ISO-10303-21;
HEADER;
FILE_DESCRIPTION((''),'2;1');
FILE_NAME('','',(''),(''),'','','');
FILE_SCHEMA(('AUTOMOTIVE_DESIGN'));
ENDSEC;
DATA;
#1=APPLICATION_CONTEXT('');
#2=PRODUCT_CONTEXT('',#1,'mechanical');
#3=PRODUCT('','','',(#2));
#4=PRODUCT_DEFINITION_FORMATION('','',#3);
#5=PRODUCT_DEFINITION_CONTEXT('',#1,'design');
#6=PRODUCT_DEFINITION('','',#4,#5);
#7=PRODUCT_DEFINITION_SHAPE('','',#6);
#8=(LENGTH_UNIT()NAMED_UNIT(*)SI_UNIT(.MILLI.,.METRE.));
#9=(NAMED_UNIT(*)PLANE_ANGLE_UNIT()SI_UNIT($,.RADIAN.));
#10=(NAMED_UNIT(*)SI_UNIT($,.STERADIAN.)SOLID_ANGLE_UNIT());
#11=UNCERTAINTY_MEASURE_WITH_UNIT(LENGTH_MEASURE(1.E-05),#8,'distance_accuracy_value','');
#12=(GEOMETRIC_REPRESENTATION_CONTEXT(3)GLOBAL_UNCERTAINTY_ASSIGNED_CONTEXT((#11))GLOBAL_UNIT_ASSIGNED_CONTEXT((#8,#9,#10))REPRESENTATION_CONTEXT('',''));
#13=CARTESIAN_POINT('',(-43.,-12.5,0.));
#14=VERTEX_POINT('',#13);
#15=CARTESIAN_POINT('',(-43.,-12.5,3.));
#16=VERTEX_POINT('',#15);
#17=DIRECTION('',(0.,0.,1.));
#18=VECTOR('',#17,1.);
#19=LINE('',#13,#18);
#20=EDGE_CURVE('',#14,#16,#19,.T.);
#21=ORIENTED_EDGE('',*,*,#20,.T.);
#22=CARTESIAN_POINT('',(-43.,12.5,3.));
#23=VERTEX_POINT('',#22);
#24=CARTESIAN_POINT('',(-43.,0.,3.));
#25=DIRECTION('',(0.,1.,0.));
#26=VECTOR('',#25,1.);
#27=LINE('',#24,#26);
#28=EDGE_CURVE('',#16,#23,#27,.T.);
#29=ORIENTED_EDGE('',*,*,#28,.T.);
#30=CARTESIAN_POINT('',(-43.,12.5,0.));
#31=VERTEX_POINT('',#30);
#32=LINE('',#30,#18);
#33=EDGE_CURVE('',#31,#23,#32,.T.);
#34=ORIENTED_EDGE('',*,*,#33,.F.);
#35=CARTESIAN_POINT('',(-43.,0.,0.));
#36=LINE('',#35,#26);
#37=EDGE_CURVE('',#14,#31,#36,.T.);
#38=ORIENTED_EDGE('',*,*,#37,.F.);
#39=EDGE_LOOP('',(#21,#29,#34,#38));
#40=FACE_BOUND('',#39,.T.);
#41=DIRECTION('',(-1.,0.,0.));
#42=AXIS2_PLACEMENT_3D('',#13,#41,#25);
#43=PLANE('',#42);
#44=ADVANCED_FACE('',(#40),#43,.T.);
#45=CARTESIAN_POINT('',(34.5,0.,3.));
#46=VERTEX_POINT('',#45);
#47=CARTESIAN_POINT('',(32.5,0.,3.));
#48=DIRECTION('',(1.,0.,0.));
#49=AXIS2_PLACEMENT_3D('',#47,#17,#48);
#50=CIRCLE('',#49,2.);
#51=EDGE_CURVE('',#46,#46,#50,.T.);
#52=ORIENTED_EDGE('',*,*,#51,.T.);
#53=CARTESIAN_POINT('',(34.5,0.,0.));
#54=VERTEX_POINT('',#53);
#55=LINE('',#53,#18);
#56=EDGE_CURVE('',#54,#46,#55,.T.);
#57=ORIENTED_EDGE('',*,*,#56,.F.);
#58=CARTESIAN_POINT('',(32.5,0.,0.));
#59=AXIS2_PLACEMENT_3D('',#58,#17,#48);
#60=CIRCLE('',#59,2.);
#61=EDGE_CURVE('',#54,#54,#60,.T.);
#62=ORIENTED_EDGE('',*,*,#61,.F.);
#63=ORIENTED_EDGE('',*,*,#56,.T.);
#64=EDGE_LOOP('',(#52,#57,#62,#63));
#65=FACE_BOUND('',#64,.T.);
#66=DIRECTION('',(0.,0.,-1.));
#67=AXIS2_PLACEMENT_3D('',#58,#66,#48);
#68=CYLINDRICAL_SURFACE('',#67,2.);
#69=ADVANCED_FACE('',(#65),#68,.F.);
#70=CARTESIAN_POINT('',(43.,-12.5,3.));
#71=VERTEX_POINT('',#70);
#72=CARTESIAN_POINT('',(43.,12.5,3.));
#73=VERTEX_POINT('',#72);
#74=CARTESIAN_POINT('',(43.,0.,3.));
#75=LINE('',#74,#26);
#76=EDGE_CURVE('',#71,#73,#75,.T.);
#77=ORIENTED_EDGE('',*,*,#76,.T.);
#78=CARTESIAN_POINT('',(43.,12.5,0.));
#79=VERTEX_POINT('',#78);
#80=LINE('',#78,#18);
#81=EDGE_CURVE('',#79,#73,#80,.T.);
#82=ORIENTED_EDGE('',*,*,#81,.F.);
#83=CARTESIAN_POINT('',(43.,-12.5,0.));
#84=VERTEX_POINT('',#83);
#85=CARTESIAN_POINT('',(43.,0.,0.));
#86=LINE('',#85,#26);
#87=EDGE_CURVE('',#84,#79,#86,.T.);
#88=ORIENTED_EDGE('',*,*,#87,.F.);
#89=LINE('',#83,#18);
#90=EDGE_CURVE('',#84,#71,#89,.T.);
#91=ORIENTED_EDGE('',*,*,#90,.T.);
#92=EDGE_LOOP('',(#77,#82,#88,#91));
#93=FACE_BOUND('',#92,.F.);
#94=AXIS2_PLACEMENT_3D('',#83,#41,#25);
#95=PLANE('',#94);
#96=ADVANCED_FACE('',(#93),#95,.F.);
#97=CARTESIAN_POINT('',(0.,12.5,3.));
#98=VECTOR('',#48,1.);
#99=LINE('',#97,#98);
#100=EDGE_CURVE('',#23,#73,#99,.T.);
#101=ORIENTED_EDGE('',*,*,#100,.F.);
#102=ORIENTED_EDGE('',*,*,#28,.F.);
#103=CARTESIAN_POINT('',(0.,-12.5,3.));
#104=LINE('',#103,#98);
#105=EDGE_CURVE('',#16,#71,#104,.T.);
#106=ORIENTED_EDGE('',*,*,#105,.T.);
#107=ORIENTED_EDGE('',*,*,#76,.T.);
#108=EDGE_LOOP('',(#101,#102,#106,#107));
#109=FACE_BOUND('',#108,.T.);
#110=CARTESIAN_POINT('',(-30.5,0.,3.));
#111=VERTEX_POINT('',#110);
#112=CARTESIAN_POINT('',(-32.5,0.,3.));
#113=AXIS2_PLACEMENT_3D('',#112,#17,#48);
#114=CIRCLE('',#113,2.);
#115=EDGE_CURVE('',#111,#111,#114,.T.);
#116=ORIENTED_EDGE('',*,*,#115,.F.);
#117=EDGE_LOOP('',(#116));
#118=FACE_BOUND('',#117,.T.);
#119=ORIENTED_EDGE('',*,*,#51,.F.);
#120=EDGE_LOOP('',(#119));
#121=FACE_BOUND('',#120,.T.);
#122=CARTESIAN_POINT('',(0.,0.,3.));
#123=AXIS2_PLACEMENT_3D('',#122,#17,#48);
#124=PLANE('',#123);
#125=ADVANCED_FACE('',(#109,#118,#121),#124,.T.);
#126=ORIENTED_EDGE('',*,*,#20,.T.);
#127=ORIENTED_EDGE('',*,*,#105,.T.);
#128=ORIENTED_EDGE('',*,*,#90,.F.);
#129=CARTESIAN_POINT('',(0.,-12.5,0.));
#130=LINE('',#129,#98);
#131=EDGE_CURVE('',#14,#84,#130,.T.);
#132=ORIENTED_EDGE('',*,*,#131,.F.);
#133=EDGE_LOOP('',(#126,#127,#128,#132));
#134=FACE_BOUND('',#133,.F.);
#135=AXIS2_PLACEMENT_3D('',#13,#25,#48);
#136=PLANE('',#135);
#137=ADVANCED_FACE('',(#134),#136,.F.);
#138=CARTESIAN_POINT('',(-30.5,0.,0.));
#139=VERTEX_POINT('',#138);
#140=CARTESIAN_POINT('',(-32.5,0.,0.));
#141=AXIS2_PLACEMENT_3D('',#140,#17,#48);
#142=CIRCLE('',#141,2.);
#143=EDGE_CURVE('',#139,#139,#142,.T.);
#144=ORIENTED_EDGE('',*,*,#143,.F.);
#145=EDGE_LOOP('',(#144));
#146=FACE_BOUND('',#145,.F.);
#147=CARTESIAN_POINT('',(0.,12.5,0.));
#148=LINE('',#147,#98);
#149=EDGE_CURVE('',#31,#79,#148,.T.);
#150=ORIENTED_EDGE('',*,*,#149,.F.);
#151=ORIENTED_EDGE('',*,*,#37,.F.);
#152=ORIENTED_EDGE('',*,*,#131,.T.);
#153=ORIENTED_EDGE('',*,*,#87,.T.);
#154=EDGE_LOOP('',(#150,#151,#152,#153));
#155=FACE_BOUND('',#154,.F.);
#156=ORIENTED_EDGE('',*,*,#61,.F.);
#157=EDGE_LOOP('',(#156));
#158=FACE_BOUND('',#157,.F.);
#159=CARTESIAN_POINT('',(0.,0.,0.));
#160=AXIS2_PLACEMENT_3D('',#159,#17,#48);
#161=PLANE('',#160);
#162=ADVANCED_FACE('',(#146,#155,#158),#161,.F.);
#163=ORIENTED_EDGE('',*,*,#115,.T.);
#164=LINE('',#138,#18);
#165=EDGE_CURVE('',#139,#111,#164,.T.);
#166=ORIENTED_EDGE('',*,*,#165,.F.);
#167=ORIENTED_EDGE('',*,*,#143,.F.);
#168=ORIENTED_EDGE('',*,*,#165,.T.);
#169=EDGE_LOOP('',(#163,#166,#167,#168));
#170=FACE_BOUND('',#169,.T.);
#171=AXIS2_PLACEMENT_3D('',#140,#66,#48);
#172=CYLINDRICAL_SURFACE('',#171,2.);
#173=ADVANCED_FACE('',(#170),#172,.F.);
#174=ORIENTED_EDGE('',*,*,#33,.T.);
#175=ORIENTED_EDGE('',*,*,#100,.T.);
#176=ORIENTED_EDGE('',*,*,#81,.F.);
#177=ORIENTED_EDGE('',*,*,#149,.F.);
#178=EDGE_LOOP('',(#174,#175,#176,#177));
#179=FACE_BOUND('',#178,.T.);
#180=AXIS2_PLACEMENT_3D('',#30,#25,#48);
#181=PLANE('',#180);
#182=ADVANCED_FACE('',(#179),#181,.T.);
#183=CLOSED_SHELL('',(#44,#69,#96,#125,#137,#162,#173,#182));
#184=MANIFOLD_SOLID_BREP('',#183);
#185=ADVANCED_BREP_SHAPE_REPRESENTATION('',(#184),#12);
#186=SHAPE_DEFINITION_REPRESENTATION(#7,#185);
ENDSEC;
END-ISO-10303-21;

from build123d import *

# Parameters (mm, degrees)
SKETCH_W  = 86
SKETCH_H  = 25
SKETCH_R  = 2
PAD_DEPTH = 3


with BuildPart() as part:
    # Sketch → Pad (new body)
    with BuildSketch(Plane.XY):
        Rectangle(SKETCH_W, SKETCH_H)
        with Locations((-32.5, 0)):
            Circle(SKETCH_R, mode=Mode.SUBTRACT)
        with Locations((32.5, 0)):
            Circle(SKETCH_R, mode=Mode.SUBTRACT)
    extrude(amount=PAD_DEPTH)


solid = part.part
